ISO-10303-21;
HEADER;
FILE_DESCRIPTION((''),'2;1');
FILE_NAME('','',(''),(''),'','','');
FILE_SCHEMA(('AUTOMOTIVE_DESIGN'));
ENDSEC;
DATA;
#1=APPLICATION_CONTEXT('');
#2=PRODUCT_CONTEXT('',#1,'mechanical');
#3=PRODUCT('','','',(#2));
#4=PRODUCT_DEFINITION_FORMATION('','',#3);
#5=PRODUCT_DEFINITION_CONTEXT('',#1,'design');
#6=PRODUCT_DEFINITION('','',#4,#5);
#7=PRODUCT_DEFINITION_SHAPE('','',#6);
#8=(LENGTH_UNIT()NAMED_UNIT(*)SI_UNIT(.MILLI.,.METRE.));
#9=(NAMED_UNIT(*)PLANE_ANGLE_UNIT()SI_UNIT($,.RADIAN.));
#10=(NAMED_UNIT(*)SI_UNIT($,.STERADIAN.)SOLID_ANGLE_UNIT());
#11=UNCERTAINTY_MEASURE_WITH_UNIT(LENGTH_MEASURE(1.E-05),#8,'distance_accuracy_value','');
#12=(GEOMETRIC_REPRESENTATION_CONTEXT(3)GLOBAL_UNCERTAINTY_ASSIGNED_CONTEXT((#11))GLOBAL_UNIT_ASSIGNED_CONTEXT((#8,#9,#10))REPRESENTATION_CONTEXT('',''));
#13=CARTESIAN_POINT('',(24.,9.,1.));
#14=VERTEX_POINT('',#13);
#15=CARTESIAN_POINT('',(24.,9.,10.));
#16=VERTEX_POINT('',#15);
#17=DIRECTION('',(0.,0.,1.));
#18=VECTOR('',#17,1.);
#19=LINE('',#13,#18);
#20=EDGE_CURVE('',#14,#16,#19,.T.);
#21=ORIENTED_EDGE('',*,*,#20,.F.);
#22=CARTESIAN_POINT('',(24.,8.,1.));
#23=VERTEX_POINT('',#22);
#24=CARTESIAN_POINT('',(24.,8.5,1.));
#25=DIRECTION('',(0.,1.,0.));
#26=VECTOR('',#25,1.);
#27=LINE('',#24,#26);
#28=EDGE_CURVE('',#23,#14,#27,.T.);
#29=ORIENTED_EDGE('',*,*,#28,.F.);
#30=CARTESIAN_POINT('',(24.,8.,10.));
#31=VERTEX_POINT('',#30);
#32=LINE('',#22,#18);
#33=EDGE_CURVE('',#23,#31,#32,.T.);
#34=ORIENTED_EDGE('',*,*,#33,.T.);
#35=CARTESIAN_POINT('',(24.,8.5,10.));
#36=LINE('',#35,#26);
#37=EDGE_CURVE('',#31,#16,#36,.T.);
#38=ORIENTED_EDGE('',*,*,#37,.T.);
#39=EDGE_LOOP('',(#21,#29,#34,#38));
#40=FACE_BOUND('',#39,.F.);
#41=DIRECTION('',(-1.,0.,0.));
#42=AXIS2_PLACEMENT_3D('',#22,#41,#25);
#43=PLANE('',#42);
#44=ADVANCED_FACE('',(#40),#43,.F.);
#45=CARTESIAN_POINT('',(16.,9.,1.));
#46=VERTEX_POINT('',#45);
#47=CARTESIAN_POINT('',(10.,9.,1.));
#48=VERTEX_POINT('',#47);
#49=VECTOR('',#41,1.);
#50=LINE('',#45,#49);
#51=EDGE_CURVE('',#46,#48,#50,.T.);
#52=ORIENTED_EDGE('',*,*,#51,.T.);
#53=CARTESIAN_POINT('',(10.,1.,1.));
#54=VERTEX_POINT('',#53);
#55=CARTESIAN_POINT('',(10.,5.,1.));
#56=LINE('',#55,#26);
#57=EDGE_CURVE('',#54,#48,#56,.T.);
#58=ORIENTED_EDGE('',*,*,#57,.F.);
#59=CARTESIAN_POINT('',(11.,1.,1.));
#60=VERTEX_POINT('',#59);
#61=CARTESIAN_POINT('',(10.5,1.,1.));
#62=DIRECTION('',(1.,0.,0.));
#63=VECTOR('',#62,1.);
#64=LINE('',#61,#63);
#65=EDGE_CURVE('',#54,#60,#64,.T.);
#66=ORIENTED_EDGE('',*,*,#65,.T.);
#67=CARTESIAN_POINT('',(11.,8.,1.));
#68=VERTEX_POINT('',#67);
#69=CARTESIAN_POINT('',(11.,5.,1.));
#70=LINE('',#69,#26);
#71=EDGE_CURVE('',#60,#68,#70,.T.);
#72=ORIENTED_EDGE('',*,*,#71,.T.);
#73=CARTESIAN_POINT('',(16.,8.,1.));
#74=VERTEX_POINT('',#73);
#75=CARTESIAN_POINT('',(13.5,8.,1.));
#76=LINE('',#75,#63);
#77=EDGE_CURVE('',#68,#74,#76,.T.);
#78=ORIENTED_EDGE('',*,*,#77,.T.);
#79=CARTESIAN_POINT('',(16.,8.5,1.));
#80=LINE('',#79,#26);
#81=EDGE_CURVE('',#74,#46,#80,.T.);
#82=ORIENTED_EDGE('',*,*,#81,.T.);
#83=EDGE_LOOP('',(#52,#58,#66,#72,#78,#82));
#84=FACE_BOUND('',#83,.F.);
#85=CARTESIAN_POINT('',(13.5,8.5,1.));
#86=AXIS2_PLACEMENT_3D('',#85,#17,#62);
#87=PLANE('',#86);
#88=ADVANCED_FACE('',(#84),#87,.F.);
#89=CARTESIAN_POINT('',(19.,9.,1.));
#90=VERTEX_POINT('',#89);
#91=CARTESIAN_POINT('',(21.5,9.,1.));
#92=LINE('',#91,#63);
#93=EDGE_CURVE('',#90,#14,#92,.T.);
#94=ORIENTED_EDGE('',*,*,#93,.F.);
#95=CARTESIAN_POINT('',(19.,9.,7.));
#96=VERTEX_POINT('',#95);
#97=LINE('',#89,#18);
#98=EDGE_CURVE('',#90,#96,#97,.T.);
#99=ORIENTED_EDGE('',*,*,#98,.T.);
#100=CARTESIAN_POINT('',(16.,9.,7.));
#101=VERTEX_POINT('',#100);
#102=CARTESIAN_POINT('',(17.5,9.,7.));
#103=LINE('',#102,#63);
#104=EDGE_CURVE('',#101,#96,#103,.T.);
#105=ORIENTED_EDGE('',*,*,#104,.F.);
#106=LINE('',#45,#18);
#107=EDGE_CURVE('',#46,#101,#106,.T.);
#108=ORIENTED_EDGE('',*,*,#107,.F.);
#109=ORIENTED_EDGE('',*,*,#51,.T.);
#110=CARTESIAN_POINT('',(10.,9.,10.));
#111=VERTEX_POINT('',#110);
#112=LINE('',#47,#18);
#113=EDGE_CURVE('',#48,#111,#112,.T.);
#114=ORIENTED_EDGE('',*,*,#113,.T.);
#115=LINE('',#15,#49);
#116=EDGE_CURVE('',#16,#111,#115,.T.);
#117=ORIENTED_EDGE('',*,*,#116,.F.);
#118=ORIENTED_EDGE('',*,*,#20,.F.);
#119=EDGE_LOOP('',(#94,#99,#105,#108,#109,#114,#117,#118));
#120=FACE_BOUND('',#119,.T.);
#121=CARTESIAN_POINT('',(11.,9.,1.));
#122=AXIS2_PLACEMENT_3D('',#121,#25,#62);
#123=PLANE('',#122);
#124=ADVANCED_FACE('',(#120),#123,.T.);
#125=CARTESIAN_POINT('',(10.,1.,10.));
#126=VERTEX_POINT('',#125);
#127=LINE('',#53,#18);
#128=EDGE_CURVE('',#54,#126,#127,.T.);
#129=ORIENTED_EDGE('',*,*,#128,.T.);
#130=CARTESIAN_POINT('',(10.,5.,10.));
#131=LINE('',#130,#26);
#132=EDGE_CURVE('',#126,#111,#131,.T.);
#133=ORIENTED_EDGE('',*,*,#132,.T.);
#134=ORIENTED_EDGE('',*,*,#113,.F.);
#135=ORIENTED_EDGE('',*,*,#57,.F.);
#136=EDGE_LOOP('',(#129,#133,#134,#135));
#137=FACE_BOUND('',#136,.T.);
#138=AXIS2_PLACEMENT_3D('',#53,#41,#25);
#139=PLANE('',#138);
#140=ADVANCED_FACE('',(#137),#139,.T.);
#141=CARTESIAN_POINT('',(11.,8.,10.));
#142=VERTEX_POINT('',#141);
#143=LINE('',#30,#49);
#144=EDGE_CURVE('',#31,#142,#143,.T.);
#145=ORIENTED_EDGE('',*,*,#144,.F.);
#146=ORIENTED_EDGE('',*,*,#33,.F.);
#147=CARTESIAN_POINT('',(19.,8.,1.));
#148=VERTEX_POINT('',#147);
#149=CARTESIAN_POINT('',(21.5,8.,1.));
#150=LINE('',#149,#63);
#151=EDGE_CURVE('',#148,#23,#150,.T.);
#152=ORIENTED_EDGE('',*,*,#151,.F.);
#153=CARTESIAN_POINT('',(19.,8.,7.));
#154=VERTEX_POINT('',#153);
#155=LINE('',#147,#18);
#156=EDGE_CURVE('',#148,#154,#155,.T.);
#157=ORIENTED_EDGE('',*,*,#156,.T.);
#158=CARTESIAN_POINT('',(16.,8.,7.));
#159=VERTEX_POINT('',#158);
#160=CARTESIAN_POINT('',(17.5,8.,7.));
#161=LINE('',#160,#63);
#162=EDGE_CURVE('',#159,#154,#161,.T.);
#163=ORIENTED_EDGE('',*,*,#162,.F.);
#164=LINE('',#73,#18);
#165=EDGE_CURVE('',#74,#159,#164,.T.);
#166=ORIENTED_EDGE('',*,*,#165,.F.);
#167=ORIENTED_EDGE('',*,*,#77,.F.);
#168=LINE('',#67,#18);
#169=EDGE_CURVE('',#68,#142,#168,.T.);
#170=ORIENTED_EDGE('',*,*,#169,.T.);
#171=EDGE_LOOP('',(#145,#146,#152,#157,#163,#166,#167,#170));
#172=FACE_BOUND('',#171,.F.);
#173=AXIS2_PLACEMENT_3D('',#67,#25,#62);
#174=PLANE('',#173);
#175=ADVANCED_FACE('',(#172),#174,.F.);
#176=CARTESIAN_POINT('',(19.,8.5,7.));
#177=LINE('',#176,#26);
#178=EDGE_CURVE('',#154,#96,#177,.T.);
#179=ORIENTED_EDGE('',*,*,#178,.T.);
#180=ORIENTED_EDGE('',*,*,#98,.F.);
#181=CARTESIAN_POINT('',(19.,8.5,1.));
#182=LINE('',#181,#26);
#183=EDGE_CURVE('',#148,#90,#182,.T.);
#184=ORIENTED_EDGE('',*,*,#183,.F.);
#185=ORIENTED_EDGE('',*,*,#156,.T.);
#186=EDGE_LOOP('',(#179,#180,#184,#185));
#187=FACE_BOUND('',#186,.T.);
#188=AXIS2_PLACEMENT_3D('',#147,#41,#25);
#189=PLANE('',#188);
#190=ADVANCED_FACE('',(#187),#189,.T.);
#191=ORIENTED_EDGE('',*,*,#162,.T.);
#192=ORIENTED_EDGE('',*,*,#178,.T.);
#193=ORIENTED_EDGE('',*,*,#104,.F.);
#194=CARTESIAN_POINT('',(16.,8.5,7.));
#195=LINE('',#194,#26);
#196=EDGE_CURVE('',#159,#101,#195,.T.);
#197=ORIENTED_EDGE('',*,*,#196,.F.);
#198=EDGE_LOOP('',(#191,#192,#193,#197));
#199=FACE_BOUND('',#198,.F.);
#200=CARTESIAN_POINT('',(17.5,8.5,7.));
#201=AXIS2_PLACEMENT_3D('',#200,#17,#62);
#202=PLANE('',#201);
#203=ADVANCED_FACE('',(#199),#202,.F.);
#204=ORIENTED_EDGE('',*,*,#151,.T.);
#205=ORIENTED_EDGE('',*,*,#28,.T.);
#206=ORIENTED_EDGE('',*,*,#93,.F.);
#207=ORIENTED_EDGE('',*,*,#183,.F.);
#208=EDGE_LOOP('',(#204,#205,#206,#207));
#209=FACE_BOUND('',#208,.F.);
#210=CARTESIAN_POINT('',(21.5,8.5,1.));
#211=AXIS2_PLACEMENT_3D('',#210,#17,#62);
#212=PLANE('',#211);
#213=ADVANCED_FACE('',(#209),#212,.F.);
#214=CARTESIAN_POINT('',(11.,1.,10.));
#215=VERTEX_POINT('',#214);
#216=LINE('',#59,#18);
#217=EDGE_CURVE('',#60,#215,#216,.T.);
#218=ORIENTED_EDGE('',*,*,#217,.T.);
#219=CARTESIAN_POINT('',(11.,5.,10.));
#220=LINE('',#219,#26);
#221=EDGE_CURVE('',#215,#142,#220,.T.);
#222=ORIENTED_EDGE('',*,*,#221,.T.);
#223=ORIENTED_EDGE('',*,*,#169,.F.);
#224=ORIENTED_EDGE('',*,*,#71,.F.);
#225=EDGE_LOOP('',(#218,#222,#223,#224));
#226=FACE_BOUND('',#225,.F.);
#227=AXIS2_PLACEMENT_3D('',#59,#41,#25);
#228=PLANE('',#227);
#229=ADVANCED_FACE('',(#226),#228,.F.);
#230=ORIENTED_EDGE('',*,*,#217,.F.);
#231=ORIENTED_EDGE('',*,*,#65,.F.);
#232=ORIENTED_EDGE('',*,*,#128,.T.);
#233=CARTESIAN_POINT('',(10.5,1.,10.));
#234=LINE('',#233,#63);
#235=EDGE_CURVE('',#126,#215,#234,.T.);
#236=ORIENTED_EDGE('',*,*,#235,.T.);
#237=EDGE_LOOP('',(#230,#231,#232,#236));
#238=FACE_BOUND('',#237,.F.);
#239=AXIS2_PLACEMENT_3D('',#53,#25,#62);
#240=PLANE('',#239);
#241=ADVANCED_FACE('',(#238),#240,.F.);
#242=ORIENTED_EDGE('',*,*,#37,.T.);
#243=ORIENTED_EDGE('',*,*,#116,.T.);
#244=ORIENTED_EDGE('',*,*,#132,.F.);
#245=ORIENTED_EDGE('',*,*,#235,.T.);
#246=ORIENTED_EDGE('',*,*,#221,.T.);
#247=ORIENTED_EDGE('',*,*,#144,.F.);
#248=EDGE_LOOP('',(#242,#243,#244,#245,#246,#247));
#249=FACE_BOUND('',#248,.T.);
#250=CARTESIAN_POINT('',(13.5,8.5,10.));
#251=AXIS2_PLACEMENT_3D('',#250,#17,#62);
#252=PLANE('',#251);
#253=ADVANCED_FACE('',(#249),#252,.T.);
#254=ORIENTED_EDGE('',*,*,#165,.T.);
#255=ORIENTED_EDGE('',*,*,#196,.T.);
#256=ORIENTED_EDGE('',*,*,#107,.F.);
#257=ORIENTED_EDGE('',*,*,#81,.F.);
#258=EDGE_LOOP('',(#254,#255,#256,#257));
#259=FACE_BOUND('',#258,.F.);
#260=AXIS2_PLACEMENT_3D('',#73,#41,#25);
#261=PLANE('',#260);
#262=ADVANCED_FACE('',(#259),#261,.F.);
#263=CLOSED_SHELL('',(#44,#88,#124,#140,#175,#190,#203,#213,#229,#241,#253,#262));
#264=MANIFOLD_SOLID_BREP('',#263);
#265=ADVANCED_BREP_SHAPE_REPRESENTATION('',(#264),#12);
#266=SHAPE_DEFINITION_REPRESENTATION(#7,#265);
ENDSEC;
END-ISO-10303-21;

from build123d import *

# Parameters (mm, degrees)
BOX018_W     = 5
BOX018_H     = 1
BOX018_DEPTH = 9
BOX017_W     = 5
BOX017_H     = 1
BOX017_DEPTH = 9
BOX019_W     = 3
BOX019_H     = 1
BOX019_DEPTH = 3
BOX007_W     = 1
BOX007_H     = 8
BOX007_DEPTH = 9


with BuildPart() as box018:
    # Box018 → Box018 (new body)
    with BuildSketch(Plane(origin=(19, 8, 1), x_dir=(1, 0, 0), z_dir=(0, 0, 1))):
        with Locations((2.5, 0.5)):
            Rectangle(BOX018_W, BOX018_H)
    extrude(amount=BOX018_DEPTH)


with BuildPart() as box017:
    # Box017 → Box017 (new body)
    with BuildSketch(Plane(origin=(11, 8, 1), x_dir=(1, 0, 0), z_dir=(0, 0, 1))):
        with Locations((2.5, 0.5)):
            Rectangle(BOX017_W, BOX017_H)
    extrude(amount=BOX017_DEPTH)


with BuildPart() as fusion007:
    # Box019 → Box019 (new body)
    with BuildSketch(Plane(origin=(16, 8, 7), x_dir=(1, 0, 0), z_dir=(0, 0, 1))):
        with Locations((1.5, 0.5)):
            Rectangle(BOX019_W, BOX019_H)
    extrude(amount=BOX019_DEPTH)

    # Fusion007: union Box018, Box017
    add(box018.part)
    add(box017.part)


with BuildPart() as fusion040:
    # Box007 → Box007 (new body)
    with BuildSketch(Plane(origin=(10, 1, 1), x_dir=(1, 0, 0), z_dir=(0, 0, 1))):
        with Locations((0.5, 4)):
            Rectangle(BOX007_W, BOX007_H)
    extrude(amount=BOX007_DEPTH)

    # Fusion040: union Fusion007
    add(fusion007.part)


solid = fusion040.part
